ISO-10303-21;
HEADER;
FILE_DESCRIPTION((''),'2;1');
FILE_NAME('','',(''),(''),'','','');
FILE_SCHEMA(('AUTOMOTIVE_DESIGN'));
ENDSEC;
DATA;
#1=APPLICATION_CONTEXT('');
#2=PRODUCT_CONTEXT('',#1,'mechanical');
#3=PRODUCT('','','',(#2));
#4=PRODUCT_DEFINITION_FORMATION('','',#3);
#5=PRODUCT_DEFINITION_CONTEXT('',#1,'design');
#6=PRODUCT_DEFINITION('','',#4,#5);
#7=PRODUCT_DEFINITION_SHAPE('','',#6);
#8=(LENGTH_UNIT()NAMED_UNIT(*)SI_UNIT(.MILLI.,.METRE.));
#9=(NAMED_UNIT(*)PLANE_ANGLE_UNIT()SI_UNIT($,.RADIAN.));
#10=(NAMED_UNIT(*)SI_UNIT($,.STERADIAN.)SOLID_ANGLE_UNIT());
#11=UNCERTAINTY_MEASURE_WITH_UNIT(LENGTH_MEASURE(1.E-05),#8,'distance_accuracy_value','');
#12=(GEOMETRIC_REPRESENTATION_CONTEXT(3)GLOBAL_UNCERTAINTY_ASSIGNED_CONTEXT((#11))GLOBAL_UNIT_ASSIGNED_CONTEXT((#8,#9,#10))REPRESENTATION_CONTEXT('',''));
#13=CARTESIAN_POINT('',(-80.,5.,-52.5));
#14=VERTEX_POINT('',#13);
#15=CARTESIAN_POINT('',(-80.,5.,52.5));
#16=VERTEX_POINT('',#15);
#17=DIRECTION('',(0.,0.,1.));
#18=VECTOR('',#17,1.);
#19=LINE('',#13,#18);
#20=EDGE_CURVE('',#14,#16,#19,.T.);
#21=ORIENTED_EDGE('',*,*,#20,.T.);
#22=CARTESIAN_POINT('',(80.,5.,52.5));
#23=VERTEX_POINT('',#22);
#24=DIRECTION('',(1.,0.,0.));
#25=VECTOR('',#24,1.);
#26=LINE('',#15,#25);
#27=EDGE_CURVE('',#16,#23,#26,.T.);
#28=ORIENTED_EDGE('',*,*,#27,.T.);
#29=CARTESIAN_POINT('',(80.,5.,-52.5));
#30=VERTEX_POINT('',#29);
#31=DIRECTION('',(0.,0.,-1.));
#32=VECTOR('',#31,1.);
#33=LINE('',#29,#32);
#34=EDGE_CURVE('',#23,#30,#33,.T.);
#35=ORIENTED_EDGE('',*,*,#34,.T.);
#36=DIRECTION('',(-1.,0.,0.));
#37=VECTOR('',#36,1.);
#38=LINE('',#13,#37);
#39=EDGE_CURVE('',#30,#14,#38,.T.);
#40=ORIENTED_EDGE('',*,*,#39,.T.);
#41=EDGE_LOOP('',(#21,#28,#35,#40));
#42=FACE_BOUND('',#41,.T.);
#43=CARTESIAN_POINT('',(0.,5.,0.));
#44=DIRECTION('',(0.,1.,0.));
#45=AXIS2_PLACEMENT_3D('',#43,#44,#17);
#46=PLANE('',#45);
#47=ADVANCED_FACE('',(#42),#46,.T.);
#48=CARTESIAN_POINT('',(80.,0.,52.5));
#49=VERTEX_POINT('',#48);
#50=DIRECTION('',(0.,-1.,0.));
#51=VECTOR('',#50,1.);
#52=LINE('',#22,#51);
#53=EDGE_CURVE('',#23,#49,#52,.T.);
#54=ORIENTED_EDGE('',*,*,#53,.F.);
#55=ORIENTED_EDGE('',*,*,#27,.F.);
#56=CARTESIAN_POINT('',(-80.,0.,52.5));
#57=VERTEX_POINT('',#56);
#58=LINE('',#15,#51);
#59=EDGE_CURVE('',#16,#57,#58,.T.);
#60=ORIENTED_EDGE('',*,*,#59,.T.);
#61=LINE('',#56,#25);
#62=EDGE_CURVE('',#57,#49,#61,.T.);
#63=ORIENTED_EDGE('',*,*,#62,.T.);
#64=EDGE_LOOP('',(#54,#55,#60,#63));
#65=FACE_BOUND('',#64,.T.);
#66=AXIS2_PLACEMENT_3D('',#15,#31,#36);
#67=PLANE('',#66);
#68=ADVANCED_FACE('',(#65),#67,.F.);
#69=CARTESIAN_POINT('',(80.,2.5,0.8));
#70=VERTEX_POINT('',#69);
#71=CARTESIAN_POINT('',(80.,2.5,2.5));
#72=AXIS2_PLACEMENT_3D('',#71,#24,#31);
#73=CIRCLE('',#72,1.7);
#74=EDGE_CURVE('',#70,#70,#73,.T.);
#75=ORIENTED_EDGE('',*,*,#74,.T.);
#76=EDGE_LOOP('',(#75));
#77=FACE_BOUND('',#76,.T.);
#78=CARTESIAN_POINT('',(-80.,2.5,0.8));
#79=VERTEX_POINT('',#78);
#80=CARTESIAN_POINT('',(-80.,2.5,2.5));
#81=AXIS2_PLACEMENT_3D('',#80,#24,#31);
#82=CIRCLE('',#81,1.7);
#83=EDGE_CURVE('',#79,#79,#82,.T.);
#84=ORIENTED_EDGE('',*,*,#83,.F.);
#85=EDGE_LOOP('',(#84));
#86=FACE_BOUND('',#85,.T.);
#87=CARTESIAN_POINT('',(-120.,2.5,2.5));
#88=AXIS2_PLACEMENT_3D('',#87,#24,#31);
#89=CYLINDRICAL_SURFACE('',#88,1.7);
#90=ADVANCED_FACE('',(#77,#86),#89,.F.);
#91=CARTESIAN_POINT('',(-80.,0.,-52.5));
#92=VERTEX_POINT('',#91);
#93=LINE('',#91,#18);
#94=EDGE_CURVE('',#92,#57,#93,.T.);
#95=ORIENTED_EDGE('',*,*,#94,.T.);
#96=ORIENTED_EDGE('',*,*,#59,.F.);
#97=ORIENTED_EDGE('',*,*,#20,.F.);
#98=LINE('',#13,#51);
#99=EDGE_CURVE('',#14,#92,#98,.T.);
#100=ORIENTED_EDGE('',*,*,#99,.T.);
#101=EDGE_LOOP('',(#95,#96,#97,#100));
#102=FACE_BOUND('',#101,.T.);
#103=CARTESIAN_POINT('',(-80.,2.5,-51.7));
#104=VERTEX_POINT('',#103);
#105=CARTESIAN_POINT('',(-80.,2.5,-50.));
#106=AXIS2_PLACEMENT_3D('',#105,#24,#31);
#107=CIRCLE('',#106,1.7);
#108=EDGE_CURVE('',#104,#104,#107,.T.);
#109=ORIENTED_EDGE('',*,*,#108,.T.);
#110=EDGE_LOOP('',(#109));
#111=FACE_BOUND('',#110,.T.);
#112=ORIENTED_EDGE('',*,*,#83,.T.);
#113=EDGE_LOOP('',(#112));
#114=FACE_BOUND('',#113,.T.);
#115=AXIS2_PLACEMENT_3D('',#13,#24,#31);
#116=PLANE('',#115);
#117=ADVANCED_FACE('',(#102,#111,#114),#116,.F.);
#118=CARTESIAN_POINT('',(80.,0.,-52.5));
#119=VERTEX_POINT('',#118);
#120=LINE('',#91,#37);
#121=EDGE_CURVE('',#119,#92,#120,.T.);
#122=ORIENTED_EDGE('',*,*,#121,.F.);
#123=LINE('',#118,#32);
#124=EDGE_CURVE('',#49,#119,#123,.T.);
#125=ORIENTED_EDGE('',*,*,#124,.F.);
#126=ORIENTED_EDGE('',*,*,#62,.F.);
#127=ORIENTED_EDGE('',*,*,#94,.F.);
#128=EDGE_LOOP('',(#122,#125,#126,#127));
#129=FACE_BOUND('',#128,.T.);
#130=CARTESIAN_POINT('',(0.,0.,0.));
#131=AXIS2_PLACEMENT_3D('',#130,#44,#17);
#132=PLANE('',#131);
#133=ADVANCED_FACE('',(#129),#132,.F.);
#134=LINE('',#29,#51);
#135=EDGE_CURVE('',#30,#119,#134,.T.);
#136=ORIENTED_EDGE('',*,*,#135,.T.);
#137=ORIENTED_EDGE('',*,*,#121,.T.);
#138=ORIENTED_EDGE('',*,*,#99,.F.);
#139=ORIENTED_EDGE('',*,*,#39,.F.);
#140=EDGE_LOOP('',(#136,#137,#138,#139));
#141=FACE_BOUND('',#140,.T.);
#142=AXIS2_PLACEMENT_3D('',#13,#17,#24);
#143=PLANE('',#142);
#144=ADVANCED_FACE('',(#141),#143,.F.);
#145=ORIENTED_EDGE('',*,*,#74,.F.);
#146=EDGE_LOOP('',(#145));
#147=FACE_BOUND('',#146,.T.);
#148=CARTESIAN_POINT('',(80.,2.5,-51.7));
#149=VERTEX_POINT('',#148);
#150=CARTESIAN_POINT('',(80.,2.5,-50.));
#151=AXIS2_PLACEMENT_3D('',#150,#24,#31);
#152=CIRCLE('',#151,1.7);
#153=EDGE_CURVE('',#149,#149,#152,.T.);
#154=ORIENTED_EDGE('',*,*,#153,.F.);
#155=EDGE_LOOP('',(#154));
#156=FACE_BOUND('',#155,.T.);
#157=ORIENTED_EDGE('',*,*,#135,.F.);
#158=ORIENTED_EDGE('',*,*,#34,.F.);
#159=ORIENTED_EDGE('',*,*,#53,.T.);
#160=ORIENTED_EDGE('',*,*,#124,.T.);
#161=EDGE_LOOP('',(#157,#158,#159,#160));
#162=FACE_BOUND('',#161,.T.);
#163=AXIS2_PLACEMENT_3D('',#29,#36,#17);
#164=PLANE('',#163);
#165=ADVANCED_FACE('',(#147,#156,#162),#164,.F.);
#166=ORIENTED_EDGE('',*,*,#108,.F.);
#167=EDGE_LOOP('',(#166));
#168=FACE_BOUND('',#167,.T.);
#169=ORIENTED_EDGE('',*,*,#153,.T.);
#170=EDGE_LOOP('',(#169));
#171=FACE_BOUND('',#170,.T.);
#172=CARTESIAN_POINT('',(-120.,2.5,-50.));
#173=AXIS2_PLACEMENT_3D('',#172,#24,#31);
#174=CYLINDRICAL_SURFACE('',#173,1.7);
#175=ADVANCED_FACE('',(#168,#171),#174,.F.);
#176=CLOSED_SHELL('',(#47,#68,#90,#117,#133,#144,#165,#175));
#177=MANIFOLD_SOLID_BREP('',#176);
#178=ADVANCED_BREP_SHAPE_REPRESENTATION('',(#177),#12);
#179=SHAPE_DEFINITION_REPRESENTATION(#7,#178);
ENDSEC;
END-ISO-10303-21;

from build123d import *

# Parameters (mm, degrees)
SKETCH_1_W          = 160
SKETCH_1_H          = 105
EXTRUDE_1_DEPTH     = 5
SKETCH_2_R          = 1.7
CUT_EXTRUDE_1_DEPTH = 200
SKETCH_3_R          = 1.7
CUT_EXTRUDE_2_DEPTH = 200


with BuildPart() as part:
    # 草图1 → 凸台-拉伸1 (new body)
    with BuildSketch(Plane(origin=(0, 0, 0), x_dir=(1, 0, 0), z_dir=(0, 1, 0))):
        Rectangle(SKETCH_1_W, SKETCH_1_H)
    extrude(amount=EXTRUDE_1_DEPTH)

    # 草图2 → 切除-拉伸1 (cut)
    with BuildSketch(Plane(origin=(80, 0, 0), x_dir=(0, 0, -1), z_dir=(1, 0, 0))):
        with Locations((-2.5, 2.5)):
            Circle(SKETCH_2_R)
    extrude(amount=-CUT_EXTRUDE_1_DEPTH, mode=Mode.SUBTRACT)

    # 草图3 → 切除-拉伸2 (cut)
    with BuildSketch(Plane(origin=(80, 0, 0), x_dir=(0, 0, -1), z_dir=(1, 0, 0))):
        with Locations((50, 2.5)):
            Circle(SKETCH_3_R)
    extrude(amount=-CUT_EXTRUDE_2_DEPTH, mode=Mode.SUBTRACT)


solid = part.part
